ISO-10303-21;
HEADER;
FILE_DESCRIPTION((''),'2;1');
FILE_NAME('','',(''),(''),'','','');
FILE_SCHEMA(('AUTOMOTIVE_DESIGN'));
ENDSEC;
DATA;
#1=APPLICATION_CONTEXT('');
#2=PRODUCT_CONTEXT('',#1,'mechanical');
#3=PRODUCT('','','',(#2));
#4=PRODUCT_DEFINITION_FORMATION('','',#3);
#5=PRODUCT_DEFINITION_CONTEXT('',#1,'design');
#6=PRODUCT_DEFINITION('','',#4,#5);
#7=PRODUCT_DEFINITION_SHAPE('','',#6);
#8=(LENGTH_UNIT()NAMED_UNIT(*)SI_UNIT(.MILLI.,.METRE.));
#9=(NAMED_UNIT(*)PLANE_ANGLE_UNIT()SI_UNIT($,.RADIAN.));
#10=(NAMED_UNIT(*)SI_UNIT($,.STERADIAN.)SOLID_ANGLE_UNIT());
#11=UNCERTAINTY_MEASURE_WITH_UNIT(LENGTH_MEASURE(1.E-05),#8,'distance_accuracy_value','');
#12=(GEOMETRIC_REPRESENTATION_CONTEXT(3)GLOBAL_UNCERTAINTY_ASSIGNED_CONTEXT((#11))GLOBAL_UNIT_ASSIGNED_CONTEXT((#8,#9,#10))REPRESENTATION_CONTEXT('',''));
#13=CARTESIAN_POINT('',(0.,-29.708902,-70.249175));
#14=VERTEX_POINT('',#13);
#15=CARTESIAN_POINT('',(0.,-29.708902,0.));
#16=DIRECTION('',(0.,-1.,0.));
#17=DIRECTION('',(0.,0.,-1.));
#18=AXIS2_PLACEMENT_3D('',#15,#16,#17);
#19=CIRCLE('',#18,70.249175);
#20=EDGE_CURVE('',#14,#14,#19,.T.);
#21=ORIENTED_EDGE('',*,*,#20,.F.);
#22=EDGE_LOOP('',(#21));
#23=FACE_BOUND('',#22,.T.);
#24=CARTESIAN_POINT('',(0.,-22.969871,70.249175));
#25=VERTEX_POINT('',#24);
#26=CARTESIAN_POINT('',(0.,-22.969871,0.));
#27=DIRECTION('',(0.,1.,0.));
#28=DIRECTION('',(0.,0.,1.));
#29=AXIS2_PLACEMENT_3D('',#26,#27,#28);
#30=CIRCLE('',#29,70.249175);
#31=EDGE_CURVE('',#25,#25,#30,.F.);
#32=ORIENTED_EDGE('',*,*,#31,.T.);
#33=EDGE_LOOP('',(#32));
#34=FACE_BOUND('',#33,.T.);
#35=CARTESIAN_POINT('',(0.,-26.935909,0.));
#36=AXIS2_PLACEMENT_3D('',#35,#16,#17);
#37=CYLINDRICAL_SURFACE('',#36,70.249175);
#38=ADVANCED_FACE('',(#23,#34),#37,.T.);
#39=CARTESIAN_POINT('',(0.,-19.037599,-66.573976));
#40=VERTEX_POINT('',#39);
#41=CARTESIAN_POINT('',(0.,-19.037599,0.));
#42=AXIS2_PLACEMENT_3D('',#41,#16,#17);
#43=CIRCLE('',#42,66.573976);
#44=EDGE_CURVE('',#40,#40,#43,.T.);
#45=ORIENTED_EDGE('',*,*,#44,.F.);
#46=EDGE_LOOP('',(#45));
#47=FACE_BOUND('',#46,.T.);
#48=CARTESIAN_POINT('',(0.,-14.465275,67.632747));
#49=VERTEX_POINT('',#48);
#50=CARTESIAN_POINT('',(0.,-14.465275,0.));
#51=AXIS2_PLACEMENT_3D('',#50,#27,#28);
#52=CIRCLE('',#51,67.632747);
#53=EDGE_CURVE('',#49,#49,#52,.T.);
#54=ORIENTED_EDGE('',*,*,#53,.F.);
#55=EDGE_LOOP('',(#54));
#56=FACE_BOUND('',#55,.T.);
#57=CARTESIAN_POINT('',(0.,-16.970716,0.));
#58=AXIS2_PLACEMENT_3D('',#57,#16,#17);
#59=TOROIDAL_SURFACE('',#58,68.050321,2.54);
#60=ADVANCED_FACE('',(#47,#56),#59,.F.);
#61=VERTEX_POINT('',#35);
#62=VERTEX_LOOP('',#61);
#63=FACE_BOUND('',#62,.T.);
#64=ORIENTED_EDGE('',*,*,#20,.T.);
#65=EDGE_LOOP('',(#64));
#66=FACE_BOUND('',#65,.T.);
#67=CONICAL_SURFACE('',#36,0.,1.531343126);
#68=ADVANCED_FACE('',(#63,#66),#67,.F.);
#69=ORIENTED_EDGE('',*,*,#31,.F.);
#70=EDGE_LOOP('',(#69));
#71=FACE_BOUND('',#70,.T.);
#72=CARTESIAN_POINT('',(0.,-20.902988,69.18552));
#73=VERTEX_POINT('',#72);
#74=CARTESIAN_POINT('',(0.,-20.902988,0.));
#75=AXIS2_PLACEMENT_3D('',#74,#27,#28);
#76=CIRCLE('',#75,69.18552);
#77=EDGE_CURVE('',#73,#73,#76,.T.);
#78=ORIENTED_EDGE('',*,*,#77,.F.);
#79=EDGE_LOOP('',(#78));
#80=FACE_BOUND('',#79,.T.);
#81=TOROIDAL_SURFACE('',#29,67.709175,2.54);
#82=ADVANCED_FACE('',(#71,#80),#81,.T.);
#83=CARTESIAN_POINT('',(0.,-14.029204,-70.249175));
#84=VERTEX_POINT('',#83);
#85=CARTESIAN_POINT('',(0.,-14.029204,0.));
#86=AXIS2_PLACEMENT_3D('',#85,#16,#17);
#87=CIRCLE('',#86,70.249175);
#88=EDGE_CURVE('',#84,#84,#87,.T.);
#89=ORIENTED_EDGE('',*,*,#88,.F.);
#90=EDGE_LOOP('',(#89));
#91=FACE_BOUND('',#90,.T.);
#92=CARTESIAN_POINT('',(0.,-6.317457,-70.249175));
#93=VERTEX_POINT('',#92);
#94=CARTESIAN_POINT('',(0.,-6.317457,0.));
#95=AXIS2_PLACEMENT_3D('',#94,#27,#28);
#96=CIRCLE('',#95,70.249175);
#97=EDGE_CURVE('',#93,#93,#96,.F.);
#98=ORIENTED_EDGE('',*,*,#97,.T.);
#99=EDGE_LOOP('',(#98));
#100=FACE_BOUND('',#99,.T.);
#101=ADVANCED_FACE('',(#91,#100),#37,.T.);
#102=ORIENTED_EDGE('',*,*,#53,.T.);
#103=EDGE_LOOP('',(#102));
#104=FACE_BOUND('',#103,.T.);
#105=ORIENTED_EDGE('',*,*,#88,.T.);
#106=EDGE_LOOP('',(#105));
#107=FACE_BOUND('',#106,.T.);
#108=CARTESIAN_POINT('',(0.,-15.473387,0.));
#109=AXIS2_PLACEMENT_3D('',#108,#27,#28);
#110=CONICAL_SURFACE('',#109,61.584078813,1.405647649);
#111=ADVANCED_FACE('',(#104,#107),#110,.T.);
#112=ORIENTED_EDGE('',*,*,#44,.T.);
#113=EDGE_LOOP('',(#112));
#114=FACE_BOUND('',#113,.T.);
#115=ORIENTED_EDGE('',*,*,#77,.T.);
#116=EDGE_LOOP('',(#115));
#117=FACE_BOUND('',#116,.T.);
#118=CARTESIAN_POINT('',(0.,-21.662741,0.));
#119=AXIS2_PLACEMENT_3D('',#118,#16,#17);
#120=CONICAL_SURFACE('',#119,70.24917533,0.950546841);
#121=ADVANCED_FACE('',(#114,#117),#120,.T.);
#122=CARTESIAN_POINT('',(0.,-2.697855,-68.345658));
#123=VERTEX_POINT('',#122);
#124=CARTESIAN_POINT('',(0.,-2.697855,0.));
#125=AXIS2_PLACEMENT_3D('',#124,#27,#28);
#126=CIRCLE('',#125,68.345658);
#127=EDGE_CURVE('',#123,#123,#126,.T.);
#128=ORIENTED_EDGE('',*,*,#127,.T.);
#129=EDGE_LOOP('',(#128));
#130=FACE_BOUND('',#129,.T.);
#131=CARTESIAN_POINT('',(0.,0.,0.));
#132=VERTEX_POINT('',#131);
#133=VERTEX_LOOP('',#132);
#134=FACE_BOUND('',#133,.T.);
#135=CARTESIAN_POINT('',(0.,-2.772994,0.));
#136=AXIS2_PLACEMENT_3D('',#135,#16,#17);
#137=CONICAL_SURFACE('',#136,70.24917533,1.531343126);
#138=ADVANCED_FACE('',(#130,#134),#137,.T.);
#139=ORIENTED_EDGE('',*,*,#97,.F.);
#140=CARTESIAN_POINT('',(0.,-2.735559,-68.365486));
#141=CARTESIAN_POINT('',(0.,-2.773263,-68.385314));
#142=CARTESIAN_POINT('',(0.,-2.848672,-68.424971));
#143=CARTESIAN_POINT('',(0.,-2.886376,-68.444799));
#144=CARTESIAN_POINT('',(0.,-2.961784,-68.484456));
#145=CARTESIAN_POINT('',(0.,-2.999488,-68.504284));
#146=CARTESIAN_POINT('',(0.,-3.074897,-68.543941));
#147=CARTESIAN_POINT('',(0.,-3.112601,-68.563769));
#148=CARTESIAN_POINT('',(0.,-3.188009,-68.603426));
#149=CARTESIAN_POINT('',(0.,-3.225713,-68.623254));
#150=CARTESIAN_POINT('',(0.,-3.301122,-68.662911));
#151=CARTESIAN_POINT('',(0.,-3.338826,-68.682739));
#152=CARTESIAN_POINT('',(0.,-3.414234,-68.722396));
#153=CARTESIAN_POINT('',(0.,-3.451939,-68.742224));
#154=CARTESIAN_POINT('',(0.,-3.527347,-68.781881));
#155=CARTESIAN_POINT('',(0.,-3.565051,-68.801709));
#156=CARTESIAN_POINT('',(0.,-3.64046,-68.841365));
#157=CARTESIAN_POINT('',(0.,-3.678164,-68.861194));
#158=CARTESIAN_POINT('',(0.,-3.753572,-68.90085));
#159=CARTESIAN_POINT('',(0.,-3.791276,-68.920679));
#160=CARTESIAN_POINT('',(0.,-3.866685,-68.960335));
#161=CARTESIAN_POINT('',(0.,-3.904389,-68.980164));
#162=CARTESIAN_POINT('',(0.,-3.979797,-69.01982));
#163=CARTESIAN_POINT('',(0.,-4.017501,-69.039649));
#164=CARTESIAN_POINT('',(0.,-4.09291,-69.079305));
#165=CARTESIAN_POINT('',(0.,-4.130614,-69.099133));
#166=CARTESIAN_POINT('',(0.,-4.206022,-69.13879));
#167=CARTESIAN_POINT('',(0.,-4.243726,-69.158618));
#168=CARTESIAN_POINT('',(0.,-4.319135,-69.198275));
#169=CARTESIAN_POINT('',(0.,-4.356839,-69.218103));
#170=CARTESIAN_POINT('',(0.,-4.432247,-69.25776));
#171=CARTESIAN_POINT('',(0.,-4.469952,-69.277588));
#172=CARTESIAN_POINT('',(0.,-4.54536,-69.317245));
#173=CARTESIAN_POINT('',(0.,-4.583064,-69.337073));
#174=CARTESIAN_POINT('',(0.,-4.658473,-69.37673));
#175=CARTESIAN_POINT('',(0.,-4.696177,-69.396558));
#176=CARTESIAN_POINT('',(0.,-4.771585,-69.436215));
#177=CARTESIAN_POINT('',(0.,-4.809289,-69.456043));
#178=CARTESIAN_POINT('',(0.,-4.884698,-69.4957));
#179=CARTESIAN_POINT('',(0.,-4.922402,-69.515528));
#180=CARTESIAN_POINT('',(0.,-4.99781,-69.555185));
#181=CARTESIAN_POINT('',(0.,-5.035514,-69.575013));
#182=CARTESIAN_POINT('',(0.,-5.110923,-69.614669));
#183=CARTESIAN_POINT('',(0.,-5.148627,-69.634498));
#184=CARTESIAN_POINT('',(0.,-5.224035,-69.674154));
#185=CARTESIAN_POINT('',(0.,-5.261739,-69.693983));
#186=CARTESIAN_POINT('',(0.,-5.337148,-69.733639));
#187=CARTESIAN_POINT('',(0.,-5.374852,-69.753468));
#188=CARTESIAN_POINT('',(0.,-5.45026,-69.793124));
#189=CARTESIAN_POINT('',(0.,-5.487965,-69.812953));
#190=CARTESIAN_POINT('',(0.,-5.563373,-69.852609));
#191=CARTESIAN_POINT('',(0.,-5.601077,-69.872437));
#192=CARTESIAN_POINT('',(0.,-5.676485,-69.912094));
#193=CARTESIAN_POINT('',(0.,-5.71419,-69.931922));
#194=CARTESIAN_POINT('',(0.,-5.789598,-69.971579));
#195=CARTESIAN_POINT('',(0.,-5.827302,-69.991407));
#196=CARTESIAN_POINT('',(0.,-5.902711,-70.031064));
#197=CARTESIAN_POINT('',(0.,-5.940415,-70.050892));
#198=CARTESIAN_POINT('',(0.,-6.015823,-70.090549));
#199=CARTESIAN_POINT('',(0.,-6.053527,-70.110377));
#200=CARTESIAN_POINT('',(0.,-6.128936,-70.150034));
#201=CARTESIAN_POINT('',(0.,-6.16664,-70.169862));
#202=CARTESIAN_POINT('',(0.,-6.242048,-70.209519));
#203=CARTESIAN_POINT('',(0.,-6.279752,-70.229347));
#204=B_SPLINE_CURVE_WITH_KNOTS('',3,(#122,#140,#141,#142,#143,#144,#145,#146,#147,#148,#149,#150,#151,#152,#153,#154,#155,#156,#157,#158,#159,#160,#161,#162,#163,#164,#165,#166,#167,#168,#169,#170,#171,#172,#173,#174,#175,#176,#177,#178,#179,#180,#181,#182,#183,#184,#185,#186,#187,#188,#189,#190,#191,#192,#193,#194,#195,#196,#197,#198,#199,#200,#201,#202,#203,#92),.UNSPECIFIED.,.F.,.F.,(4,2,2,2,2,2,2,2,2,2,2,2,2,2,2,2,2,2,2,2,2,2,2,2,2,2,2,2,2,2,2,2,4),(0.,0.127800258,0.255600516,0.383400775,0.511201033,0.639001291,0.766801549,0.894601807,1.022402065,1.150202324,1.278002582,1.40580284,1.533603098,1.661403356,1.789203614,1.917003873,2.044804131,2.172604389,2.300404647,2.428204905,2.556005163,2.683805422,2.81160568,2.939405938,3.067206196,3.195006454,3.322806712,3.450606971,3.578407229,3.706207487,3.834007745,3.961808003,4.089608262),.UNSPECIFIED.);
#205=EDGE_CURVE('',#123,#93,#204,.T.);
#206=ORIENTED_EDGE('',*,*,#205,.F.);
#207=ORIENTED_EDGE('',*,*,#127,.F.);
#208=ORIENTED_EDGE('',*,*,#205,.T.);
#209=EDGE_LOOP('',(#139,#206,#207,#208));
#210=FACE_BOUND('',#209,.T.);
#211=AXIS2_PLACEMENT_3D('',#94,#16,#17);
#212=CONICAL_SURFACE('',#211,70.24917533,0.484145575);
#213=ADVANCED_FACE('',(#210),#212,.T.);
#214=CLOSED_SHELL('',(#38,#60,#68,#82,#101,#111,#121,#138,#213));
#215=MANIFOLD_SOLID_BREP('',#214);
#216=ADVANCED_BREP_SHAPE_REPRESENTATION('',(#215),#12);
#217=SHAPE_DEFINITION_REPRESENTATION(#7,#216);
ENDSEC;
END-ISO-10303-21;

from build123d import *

# Parameters (mm, degrees)
FILLET1_R      = 2.54
CHAMFER1_SIZE  = 1.905
CHAMFER1_SIZE2 = 3.544462864


with BuildPart() as part:
    # Sketch1 → Revolve1 (revolve)
    with BuildSketch(Plane.XY, mode=Mode.PRIVATE) as revolve1_sk:
        Polygon((0, 0), (70.24917533, -2.772993763), (70.24917533, -14.029203884), (61.584078813, -15.473386637), (70.24917533, -21.662741291), (70.24917533, -29.708902342), (0, -26.935908579), align=None)
    revolve(revolve1_sk.sketch.rotate(Axis((0, -26.935908579, 0), (0, 1, 0)), 90), axis=Axis((0, -26.935908579, 0), (0, 1, 0)))

    # Fillet1
    fillet1_edges = [part.edges().sort_by_distance(p)[0] for p in [
        (0, -21.662741291, 70.24917533),
        (0, -15.473386637, 61.584078813),
    ]]
    fillet(fillet1_edges, radius=FILLET1_R)

    # Chamfer1
    chamfer1_edges = [part.edges().sort_by_distance(p)[0] for p in [
        (0, -2.772993763, 70.24917533),
    ]]
    chamfer1_side = [part.faces().sort_by_distance(p)[0] for p in [
        (0, -1.386496882, 35.124587665),
    ]]
    chamfer(chamfer1_edges, length=CHAMFER1_SIZE, length2=CHAMFER1_SIZE2, reference=chamfer1_side[0])


solid = part.part
